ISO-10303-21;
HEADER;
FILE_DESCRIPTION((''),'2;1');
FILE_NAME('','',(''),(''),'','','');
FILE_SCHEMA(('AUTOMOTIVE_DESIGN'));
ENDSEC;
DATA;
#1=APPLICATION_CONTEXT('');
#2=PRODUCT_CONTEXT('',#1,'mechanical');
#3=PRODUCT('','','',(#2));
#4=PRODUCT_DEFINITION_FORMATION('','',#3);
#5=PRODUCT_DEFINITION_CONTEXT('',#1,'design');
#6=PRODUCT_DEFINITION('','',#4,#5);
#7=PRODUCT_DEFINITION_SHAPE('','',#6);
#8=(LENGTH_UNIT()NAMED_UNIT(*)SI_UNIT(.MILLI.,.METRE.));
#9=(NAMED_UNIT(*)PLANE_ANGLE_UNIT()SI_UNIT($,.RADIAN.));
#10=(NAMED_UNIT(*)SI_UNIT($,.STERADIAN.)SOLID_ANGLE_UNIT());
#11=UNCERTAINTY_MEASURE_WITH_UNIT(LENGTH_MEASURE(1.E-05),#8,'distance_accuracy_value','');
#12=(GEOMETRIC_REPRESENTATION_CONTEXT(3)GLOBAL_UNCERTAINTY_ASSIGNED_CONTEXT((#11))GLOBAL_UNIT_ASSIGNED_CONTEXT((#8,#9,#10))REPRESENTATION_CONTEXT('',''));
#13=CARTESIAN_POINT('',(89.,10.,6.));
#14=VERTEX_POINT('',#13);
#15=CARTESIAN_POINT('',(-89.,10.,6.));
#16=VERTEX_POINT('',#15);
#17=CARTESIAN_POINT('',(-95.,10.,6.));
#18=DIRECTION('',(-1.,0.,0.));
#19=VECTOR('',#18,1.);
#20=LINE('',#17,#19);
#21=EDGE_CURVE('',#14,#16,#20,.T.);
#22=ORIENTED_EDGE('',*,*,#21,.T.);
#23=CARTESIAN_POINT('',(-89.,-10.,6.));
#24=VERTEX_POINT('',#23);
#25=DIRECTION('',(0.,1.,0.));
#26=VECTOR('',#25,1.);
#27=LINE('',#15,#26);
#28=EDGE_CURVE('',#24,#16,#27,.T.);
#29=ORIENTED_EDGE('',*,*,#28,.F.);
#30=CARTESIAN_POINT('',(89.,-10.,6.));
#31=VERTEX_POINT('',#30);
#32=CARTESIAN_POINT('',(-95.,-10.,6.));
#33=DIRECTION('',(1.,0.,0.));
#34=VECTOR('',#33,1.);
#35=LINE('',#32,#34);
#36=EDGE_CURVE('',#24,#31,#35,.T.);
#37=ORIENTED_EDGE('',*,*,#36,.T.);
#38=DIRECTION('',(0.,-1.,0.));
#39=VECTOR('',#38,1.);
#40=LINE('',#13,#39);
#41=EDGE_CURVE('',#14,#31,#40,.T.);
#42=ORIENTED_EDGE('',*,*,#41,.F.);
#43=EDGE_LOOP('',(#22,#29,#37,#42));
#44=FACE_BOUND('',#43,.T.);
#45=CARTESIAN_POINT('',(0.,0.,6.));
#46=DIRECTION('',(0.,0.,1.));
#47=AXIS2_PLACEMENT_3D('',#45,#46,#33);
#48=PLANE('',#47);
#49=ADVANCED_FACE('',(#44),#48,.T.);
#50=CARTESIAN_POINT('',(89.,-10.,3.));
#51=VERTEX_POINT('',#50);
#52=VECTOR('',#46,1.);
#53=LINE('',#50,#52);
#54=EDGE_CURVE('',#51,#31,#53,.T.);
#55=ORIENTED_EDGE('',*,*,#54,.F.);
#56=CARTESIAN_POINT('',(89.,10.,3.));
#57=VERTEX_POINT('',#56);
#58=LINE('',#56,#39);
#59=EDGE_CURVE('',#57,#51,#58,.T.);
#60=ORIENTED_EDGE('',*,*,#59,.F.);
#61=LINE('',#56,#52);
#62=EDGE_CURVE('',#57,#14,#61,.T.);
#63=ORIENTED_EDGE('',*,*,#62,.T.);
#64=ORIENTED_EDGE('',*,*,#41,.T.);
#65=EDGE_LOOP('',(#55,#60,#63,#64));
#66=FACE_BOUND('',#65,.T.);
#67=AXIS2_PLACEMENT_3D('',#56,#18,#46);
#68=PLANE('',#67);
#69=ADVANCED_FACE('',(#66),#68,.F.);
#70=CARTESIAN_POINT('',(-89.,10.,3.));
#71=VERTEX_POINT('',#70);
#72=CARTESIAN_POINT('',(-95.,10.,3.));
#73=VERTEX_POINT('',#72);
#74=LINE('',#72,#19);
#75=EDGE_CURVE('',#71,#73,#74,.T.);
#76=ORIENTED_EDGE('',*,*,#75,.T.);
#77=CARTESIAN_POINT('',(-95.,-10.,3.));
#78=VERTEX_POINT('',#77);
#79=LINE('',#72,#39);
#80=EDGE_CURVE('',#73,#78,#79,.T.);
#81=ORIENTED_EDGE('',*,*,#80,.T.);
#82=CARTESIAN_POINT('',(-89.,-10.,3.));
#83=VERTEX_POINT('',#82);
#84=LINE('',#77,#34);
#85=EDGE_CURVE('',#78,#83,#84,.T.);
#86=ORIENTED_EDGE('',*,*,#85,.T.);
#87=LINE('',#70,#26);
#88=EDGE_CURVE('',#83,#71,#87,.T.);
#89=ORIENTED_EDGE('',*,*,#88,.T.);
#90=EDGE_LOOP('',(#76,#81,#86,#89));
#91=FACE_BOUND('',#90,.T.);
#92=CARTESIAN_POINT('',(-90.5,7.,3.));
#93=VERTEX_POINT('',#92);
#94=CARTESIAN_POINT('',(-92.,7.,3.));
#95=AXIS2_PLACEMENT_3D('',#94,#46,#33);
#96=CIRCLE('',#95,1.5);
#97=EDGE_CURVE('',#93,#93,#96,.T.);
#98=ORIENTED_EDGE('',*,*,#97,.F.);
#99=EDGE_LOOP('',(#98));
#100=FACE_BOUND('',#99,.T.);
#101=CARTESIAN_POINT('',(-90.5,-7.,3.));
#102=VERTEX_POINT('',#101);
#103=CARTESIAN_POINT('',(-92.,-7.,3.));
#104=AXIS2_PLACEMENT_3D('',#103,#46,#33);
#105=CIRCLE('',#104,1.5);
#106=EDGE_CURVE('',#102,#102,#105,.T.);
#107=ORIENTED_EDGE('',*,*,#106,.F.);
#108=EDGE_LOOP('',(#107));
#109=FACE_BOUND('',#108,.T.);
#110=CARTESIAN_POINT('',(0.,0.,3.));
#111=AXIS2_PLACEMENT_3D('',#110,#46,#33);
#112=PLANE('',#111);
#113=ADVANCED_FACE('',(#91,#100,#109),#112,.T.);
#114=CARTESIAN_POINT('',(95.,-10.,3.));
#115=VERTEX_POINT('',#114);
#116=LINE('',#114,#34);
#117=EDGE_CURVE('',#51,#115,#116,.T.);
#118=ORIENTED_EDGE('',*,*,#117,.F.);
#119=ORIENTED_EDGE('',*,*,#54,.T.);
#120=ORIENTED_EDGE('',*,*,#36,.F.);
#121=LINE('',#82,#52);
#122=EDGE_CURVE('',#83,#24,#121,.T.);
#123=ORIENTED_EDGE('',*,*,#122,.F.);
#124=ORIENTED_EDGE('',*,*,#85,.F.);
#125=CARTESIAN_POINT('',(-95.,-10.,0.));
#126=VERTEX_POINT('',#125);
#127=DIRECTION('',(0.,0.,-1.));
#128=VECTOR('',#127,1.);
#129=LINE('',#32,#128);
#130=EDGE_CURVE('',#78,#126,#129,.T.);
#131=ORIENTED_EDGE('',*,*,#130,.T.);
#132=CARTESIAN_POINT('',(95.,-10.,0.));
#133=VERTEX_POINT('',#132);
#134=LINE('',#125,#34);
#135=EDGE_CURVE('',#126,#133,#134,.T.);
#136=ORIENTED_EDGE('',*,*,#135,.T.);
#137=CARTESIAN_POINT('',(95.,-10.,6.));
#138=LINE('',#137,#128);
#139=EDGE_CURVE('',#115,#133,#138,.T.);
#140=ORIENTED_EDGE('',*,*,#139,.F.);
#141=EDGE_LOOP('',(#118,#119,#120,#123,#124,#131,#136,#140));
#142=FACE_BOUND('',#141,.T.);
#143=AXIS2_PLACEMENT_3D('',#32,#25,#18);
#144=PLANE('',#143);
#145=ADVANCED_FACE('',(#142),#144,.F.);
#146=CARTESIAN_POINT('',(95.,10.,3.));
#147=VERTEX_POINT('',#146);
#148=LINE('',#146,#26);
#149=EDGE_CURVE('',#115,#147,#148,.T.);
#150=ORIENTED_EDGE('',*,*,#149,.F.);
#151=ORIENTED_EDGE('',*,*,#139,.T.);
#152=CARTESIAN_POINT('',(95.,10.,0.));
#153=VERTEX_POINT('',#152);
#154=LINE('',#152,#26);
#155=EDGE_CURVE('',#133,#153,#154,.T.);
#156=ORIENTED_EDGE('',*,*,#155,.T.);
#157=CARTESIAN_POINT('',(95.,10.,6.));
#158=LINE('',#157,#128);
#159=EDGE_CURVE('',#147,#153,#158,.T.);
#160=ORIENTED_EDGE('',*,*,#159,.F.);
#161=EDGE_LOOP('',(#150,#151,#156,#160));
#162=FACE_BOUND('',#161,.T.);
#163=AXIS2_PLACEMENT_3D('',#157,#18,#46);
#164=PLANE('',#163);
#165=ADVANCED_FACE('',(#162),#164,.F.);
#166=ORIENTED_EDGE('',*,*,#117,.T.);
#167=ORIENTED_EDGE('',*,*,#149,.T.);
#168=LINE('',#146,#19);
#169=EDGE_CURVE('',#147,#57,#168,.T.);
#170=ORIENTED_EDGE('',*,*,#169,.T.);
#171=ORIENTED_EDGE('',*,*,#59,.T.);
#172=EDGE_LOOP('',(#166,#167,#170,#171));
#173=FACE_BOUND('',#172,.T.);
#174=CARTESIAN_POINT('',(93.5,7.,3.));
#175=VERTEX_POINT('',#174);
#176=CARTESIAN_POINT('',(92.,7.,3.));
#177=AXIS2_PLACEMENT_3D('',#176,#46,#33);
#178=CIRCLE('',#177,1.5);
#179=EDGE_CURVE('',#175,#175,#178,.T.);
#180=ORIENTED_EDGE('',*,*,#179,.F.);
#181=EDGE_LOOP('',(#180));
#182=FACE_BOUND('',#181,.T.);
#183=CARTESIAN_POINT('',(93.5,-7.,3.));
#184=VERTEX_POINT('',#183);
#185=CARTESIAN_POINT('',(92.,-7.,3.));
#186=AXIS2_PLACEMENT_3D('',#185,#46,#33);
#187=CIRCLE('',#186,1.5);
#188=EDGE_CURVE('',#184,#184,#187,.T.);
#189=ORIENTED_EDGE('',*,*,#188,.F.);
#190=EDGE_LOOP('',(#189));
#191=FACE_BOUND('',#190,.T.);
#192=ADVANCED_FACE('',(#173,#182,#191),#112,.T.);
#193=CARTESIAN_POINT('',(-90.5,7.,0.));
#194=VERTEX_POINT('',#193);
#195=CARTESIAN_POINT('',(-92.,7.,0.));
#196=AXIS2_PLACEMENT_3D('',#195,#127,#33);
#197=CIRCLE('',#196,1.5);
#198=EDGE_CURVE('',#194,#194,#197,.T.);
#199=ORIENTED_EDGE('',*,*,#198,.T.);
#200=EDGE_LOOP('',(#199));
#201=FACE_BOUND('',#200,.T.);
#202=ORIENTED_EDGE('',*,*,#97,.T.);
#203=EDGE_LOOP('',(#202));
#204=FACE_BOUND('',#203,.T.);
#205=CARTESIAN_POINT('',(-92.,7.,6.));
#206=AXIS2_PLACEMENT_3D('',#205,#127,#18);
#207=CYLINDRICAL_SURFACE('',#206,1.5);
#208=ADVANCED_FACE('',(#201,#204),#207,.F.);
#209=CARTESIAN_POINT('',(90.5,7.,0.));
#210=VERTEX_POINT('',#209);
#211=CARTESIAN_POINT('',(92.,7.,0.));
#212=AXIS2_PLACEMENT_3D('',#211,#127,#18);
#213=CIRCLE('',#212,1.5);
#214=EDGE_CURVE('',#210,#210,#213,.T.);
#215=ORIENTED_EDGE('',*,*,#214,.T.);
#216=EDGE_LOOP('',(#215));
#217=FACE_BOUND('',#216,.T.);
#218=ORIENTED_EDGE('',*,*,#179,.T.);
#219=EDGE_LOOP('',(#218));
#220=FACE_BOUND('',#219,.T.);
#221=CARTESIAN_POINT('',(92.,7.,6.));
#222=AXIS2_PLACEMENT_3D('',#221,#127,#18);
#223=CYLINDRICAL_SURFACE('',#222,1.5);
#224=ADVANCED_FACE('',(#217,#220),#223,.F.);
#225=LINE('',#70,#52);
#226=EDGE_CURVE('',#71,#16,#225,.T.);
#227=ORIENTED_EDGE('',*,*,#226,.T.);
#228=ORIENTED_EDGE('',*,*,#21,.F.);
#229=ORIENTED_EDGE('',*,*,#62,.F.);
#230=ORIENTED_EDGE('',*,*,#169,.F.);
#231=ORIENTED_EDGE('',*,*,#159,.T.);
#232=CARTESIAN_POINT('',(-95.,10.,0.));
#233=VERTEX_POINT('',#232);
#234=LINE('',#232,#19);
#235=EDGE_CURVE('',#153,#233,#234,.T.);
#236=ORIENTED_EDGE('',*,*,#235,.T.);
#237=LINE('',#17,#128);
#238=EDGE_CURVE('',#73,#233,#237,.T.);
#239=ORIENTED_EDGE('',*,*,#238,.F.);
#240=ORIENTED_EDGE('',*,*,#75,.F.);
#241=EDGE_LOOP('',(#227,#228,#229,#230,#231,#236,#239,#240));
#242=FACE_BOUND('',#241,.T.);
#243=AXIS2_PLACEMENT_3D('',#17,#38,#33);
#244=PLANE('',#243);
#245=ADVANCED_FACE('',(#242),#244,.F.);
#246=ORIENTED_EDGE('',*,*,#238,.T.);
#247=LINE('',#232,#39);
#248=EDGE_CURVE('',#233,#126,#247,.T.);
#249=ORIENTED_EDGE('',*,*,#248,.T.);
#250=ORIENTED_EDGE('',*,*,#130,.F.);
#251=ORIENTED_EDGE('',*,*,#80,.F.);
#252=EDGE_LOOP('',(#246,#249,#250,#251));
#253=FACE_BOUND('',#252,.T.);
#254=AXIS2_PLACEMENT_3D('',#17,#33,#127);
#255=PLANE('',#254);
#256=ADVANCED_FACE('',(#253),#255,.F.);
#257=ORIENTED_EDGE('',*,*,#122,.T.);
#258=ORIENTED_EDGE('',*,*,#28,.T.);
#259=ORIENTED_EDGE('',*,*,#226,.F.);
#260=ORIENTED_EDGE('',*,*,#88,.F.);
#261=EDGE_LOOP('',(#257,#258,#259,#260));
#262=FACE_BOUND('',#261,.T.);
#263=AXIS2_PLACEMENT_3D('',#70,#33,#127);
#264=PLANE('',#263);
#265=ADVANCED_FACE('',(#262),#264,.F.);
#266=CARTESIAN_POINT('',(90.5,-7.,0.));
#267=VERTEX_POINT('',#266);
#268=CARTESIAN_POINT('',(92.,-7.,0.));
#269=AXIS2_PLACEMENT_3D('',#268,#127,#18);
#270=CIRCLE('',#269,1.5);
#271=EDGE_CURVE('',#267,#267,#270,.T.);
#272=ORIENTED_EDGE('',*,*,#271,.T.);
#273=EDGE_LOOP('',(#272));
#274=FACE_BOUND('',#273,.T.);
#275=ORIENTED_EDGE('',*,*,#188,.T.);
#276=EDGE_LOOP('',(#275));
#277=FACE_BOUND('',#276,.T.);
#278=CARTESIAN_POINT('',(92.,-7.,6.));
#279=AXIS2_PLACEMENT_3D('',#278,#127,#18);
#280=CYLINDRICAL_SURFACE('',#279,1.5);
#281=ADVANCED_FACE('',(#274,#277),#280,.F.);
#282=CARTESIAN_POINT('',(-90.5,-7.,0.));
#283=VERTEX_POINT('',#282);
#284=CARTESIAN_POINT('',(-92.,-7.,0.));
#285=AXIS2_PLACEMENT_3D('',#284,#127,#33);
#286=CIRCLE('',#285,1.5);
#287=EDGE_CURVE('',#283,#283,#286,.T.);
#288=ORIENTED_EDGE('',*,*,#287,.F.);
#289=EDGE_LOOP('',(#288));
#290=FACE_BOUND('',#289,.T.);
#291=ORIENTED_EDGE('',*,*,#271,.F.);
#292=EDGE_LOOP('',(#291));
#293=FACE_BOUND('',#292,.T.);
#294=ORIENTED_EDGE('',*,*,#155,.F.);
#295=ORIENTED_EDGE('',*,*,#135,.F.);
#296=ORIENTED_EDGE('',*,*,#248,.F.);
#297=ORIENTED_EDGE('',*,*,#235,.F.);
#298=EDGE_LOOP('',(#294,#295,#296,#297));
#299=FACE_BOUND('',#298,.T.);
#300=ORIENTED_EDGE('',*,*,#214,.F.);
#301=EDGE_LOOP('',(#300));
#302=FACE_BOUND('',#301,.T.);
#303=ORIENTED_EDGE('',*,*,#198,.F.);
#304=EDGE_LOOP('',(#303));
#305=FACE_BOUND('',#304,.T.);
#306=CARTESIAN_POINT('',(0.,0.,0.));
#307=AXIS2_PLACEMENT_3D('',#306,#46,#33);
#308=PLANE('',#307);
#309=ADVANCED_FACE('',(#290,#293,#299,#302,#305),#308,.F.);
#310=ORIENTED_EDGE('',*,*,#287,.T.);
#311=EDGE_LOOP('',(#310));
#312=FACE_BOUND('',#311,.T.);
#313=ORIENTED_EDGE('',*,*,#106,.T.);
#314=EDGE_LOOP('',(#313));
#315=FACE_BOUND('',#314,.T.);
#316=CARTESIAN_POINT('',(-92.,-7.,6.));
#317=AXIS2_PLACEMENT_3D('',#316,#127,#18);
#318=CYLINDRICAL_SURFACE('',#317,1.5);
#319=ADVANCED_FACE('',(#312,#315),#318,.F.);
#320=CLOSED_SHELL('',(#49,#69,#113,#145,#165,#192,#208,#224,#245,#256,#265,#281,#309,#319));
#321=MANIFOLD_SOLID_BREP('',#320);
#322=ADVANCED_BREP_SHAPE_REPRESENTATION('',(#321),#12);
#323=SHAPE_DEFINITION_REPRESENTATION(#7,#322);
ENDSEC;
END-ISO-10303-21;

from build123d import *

# Parameters (mm, degrees)
ESQUISSE1_W             = 190
ESQUISSE1_H             = 20
BOSS_EXTRU_1_DEPTH      = 6
ESQUISSE2_W             = 6
ESQUISSE2_H             = 20
ENL_V_MAT_EXTRU_1_DEPTH = 3
ESQUISSE3_R             = 1.5
ENL_V_MAT_EXTRU_2_DEPTH = 6


with BuildPart() as part:
    # Esquisse1 → Boss.-Extru.1 (new body)
    with BuildSketch(Plane.XY):
        Rectangle(ESQUISSE1_W, ESQUISSE1_H)
    extrude(amount=BOSS_EXTRU_1_DEPTH)

    # Esquisse2 → Enlèv. mat.-Extru.1 (cut)
    with BuildSketch(Plane.XY.offset(6)):
        with Locations((-92, 0)):
            Rectangle(ESQUISSE2_W, ESQUISSE2_H)
        with Locations((92, 0)):
            Rectangle(ESQUISSE2_W, ESQUISSE2_H)
    extrude(amount=-ENL_V_MAT_EXTRU_1_DEPTH, mode=Mode.SUBTRACT)

    # Esquisse3 → Enlèv. mat.-Extru.2 (cut)
    with BuildSketch(Plane(origin=(0, 0, 0), x_dir=(-1, 0, 0), z_dir=(0, 0, -1))):
        with Locations((-92, -7)):
            Circle(ESQUISSE3_R)
        with Locations((-92, 7)):
            Circle(ESQUISSE3_R)
        with Locations(Location((92, 7, 0), (0, 0, 180))):
            Circle(ESQUISSE3_R)
        with Locations(Location((92, -7, 0), (0, 0, 180))):
            Circle(ESQUISSE3_R)
    extrude(amount=-ENL_V_MAT_EXTRU_2_DEPTH, mode=Mode.SUBTRACT)


solid = part.part
